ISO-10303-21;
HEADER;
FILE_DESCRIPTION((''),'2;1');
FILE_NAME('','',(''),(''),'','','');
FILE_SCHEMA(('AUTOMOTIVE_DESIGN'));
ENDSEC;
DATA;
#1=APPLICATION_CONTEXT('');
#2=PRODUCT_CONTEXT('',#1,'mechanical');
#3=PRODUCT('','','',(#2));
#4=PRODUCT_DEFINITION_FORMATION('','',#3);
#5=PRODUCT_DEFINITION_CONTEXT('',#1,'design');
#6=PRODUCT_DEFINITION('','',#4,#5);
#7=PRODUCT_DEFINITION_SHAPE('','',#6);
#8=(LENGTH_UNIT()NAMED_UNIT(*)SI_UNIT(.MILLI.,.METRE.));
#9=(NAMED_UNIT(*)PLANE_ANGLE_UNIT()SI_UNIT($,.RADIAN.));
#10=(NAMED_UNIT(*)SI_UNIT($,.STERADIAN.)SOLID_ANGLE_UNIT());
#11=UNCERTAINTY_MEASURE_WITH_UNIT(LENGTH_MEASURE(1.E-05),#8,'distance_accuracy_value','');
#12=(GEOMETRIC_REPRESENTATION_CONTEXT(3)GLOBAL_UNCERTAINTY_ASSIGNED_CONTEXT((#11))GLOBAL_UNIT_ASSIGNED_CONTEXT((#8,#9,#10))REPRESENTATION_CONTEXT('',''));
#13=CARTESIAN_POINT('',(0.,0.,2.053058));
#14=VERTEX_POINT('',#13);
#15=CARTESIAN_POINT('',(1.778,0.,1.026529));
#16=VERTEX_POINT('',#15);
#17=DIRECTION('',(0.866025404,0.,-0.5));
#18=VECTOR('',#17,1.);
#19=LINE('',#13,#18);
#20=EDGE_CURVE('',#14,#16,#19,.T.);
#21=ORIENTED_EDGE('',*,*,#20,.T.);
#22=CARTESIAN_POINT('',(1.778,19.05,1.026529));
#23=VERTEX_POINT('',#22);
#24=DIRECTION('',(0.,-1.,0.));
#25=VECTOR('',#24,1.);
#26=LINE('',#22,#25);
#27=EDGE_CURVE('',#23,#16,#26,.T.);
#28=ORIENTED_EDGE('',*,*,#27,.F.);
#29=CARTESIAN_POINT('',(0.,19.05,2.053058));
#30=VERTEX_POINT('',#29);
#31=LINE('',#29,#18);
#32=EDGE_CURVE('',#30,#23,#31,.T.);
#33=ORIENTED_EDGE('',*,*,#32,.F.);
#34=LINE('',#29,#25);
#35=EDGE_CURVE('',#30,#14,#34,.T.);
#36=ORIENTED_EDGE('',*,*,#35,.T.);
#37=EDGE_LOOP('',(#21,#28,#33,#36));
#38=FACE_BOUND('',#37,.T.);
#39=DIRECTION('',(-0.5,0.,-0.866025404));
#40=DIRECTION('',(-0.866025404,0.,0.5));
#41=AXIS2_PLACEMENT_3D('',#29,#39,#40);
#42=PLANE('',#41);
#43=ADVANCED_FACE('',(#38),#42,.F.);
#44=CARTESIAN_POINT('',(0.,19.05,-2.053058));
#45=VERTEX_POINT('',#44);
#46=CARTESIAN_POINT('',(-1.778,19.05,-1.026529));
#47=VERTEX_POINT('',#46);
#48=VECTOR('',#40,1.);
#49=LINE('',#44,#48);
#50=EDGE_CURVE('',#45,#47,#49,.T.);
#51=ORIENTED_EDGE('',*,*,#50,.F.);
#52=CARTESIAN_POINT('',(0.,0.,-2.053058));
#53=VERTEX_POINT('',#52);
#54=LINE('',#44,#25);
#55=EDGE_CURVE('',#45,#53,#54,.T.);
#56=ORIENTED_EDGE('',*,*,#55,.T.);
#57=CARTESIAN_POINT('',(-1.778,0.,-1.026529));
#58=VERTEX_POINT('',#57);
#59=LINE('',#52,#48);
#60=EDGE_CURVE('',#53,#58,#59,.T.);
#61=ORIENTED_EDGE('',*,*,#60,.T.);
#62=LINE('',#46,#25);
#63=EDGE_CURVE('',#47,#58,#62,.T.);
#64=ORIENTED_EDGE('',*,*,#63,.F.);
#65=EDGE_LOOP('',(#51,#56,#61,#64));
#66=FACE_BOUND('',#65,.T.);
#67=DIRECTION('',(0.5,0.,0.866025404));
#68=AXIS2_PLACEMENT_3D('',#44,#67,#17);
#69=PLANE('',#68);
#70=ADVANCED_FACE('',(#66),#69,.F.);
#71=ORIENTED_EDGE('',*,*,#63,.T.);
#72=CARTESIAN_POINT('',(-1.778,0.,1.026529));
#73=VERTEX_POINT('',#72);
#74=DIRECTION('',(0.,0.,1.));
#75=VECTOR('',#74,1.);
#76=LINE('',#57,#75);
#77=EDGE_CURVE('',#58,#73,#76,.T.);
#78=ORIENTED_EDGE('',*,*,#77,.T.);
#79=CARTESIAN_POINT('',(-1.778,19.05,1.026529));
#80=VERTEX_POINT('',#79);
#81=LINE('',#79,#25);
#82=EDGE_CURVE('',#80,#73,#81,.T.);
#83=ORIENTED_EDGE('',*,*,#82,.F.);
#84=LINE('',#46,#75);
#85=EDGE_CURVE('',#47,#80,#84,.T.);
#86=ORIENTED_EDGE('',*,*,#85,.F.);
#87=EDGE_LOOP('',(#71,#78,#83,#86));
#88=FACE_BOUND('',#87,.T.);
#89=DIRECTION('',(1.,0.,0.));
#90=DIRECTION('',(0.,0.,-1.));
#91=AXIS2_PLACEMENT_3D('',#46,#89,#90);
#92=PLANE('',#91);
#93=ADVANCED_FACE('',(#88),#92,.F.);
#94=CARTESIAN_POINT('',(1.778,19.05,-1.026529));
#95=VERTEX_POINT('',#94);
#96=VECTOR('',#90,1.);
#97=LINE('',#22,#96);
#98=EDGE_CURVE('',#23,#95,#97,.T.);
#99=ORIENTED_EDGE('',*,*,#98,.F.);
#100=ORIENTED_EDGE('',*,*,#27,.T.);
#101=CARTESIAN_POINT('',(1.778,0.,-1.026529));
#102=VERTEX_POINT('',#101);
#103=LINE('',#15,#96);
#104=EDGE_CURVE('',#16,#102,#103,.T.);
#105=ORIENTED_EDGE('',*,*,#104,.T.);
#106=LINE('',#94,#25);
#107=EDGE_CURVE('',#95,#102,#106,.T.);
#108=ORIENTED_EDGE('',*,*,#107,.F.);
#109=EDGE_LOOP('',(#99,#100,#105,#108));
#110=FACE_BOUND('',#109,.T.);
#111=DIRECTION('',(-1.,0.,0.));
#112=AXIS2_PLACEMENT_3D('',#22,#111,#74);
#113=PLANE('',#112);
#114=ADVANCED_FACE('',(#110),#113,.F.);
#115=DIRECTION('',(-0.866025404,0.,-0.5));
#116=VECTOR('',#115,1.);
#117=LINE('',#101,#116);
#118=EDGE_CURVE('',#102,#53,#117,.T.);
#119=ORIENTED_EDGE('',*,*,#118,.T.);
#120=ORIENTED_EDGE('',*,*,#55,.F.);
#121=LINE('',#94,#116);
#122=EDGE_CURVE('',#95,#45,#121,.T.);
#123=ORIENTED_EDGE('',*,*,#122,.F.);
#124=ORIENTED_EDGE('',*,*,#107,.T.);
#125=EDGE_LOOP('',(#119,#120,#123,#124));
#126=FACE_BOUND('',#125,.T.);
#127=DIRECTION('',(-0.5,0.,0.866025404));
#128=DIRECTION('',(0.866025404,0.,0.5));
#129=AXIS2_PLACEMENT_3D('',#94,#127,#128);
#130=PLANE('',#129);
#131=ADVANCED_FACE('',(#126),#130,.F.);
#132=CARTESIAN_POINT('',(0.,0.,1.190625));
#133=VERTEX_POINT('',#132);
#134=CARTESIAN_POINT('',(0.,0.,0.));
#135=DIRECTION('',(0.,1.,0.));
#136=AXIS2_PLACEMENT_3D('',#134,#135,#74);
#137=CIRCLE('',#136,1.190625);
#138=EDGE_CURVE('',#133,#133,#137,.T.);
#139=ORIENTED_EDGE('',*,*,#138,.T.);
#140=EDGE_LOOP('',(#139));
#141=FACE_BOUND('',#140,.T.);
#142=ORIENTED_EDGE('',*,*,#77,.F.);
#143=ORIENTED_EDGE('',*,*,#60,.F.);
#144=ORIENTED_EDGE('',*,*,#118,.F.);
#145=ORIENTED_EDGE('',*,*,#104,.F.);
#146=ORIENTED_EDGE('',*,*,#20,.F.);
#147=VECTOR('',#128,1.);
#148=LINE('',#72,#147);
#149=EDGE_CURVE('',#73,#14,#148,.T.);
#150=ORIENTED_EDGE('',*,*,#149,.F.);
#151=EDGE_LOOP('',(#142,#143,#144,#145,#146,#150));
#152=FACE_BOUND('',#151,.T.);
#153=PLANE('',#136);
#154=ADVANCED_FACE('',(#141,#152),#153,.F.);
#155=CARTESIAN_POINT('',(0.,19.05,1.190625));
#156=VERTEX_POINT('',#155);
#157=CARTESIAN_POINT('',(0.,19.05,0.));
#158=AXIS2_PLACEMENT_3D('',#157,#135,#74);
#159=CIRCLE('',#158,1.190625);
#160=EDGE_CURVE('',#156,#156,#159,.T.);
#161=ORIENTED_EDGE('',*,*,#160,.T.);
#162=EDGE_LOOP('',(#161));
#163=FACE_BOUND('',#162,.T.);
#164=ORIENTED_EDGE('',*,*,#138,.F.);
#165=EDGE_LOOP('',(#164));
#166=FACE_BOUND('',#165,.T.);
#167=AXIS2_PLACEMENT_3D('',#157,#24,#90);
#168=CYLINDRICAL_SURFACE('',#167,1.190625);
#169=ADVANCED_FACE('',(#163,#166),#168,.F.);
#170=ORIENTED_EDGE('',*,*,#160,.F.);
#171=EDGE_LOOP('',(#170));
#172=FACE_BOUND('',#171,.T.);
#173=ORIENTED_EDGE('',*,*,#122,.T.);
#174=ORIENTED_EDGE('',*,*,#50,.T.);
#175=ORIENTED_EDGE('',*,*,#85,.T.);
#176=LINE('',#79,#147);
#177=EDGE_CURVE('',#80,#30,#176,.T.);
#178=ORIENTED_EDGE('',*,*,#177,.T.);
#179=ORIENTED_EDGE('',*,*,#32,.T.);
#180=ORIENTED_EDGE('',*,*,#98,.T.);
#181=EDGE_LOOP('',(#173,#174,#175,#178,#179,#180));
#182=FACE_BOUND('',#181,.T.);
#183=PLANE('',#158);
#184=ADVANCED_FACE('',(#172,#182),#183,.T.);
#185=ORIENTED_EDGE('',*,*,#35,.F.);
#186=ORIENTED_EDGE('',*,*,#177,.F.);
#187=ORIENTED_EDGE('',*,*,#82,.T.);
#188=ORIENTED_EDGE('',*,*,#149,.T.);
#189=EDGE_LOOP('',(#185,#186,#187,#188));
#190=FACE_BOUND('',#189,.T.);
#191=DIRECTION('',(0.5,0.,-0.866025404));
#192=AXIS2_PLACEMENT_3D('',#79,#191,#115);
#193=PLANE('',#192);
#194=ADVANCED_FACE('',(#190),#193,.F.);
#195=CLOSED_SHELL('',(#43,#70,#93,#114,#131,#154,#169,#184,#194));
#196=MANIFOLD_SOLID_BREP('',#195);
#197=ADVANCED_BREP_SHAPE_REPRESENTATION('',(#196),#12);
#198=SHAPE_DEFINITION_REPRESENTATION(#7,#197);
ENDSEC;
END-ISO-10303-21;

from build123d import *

# Parameters (mm, degrees)
SKETCH1_R           = 1.190625
BOSS_EXTRUDE1_DEPTH = 19.05


with BuildPart() as part:
    # Sketch1 → Boss-Extrude1 (new body)
    with BuildSketch(Plane(origin=(0, 0, 0), x_dir=(1, 0, 0), z_dir=(0, 1, 0))):
        Polygon((0, -2.053057557), (1.778, -1.026528779), (1.778, 1.026528779), (0, 2.053057557), (-1.778, 1.026528779), (-1.778, -1.026528779), align=None)
        Circle(SKETCH1_R, mode=Mode.SUBTRACT)
    extrude(amount=BOSS_EXTRUDE1_DEPTH)


solid = part.part
